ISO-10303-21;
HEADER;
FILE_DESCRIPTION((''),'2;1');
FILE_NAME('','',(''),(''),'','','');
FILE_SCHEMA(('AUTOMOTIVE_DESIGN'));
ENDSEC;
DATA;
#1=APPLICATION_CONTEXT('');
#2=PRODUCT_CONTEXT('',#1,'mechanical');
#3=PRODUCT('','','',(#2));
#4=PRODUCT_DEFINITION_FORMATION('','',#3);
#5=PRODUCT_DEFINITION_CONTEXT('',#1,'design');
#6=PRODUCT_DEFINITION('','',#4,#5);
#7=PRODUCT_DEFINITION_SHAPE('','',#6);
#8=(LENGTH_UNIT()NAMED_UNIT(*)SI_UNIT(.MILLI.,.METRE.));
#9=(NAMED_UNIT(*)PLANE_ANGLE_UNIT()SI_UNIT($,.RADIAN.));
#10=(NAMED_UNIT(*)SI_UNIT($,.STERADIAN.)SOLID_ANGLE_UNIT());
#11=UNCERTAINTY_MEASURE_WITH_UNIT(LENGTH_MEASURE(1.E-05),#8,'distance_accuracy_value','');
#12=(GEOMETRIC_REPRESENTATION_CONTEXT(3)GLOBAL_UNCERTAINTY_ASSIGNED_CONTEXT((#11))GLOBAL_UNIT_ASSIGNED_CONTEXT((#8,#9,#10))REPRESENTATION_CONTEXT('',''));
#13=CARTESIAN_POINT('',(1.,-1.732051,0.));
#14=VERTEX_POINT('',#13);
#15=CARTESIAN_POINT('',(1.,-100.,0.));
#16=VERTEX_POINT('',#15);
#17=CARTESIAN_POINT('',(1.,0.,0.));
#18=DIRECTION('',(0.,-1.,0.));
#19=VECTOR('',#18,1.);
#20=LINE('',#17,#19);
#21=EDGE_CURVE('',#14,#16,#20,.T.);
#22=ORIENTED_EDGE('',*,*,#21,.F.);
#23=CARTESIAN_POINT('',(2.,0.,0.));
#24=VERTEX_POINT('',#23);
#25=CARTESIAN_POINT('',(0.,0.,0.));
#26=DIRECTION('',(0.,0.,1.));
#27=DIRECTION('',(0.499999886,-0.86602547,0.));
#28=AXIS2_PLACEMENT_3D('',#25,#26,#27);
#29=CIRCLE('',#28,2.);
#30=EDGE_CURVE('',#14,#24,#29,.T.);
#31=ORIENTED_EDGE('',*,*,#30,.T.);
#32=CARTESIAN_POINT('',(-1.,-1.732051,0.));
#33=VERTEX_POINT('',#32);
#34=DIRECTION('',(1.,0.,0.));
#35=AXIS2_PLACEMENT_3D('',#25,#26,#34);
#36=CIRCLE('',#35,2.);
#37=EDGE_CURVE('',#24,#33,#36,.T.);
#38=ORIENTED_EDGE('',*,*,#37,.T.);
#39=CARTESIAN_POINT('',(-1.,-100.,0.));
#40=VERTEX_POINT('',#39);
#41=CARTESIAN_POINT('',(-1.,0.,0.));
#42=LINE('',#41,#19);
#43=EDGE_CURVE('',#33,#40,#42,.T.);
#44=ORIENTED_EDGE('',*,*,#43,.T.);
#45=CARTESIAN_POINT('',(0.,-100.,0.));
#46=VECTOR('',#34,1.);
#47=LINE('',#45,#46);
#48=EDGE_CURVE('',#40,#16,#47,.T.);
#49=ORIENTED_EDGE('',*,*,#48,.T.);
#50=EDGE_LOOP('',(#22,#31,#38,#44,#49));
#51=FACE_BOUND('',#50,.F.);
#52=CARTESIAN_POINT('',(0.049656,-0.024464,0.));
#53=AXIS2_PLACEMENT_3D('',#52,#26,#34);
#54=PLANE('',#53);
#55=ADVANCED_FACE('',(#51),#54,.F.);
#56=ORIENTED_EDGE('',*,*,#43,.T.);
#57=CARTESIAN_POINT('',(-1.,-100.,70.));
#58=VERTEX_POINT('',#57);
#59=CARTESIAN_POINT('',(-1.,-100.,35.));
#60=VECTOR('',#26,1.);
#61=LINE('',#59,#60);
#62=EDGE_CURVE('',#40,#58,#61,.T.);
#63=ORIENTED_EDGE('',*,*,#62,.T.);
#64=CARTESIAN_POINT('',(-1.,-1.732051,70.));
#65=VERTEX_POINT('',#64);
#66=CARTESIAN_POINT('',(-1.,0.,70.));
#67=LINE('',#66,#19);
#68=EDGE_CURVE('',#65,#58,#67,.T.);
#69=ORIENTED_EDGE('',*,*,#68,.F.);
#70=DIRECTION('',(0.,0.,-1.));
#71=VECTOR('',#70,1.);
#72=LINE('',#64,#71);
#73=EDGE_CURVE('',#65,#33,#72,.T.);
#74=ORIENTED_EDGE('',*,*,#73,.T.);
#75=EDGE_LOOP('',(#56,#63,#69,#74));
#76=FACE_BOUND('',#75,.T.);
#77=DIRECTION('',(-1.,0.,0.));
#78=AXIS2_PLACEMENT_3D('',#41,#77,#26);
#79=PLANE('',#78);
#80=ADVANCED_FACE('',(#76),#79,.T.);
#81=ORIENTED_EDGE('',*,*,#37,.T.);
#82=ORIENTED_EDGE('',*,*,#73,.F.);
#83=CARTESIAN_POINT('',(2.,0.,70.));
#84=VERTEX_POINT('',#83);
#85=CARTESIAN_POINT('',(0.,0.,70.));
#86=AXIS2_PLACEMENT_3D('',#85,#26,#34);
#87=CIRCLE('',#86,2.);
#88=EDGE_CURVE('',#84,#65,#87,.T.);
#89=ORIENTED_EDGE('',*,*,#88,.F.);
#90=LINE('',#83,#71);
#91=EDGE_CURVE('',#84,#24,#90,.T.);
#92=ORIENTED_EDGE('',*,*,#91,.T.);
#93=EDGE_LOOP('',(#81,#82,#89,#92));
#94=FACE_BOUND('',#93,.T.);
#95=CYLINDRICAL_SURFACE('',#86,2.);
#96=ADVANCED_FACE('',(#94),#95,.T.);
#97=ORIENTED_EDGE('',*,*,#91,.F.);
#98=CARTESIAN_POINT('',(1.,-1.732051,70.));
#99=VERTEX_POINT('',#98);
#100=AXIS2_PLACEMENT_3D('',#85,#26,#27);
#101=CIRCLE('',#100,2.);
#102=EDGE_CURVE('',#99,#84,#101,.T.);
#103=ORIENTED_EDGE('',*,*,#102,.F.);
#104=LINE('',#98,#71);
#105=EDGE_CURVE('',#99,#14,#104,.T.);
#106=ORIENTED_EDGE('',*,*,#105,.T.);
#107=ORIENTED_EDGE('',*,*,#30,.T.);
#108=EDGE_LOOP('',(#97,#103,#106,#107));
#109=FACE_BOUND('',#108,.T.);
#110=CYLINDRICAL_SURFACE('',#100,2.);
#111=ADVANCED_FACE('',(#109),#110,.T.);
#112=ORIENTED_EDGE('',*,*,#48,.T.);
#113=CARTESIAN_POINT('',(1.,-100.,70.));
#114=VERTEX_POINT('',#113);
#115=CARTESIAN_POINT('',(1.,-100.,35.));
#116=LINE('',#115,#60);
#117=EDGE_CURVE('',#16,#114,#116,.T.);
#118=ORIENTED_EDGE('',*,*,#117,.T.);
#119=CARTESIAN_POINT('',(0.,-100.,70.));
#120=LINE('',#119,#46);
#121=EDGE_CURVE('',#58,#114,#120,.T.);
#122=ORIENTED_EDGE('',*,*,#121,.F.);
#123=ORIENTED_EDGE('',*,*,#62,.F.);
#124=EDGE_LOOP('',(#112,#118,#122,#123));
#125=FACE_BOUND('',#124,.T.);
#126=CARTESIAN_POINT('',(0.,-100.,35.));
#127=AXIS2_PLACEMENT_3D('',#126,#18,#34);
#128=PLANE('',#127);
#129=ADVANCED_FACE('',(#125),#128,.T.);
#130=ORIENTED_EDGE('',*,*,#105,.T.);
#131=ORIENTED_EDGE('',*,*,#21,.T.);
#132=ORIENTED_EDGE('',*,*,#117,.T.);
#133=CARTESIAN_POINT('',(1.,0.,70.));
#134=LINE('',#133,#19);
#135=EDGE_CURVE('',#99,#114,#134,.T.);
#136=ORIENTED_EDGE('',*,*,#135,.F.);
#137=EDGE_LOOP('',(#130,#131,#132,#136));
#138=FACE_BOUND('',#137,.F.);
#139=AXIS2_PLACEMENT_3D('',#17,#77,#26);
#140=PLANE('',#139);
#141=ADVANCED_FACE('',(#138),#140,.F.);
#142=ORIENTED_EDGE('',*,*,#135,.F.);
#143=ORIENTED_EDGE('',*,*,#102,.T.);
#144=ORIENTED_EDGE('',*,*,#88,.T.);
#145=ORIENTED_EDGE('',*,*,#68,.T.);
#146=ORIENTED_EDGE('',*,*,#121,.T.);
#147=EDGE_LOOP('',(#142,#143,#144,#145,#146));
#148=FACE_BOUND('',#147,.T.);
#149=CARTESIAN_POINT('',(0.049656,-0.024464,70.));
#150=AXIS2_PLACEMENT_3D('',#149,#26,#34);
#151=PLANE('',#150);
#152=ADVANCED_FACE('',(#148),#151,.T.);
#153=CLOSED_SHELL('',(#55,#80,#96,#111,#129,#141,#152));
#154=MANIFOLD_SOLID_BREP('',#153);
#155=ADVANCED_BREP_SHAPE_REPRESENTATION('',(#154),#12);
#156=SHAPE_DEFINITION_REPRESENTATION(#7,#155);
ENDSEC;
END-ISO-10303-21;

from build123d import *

# Parameters (mm, degrees)
F0_W     = 2
F0_H     = 70
F1_DEPTH = 100
F3_DEPTH = 70


with BuildPart() as f1:
    # F0 (on Front) → F1 (new body)
    with BuildSketch(Plane.XZ):
        with Locations((0, 35)):
            Rectangle(F0_W, F0_H)
    extrude(amount=F1_DEPTH)

    # F2 (on face) → F3 (join, through all)
    with BuildSketch(Plane.XY.offset(70)):
        with BuildLine():
            ThreePointArc((1, -1.732051), (1.732051, -1), (2, 0))
            ThreePointArc((2, 0), (-1, 1.732051), (-1, -1.732051))
            Line((-1, -1.732051), (-1, 0))
            Line((-1, 0), (1, 0))
            Line((1, 0), (1, -1.732051))
        make_face()
    extrude(amount=-F3_DEPTH)


solid = f1.part
